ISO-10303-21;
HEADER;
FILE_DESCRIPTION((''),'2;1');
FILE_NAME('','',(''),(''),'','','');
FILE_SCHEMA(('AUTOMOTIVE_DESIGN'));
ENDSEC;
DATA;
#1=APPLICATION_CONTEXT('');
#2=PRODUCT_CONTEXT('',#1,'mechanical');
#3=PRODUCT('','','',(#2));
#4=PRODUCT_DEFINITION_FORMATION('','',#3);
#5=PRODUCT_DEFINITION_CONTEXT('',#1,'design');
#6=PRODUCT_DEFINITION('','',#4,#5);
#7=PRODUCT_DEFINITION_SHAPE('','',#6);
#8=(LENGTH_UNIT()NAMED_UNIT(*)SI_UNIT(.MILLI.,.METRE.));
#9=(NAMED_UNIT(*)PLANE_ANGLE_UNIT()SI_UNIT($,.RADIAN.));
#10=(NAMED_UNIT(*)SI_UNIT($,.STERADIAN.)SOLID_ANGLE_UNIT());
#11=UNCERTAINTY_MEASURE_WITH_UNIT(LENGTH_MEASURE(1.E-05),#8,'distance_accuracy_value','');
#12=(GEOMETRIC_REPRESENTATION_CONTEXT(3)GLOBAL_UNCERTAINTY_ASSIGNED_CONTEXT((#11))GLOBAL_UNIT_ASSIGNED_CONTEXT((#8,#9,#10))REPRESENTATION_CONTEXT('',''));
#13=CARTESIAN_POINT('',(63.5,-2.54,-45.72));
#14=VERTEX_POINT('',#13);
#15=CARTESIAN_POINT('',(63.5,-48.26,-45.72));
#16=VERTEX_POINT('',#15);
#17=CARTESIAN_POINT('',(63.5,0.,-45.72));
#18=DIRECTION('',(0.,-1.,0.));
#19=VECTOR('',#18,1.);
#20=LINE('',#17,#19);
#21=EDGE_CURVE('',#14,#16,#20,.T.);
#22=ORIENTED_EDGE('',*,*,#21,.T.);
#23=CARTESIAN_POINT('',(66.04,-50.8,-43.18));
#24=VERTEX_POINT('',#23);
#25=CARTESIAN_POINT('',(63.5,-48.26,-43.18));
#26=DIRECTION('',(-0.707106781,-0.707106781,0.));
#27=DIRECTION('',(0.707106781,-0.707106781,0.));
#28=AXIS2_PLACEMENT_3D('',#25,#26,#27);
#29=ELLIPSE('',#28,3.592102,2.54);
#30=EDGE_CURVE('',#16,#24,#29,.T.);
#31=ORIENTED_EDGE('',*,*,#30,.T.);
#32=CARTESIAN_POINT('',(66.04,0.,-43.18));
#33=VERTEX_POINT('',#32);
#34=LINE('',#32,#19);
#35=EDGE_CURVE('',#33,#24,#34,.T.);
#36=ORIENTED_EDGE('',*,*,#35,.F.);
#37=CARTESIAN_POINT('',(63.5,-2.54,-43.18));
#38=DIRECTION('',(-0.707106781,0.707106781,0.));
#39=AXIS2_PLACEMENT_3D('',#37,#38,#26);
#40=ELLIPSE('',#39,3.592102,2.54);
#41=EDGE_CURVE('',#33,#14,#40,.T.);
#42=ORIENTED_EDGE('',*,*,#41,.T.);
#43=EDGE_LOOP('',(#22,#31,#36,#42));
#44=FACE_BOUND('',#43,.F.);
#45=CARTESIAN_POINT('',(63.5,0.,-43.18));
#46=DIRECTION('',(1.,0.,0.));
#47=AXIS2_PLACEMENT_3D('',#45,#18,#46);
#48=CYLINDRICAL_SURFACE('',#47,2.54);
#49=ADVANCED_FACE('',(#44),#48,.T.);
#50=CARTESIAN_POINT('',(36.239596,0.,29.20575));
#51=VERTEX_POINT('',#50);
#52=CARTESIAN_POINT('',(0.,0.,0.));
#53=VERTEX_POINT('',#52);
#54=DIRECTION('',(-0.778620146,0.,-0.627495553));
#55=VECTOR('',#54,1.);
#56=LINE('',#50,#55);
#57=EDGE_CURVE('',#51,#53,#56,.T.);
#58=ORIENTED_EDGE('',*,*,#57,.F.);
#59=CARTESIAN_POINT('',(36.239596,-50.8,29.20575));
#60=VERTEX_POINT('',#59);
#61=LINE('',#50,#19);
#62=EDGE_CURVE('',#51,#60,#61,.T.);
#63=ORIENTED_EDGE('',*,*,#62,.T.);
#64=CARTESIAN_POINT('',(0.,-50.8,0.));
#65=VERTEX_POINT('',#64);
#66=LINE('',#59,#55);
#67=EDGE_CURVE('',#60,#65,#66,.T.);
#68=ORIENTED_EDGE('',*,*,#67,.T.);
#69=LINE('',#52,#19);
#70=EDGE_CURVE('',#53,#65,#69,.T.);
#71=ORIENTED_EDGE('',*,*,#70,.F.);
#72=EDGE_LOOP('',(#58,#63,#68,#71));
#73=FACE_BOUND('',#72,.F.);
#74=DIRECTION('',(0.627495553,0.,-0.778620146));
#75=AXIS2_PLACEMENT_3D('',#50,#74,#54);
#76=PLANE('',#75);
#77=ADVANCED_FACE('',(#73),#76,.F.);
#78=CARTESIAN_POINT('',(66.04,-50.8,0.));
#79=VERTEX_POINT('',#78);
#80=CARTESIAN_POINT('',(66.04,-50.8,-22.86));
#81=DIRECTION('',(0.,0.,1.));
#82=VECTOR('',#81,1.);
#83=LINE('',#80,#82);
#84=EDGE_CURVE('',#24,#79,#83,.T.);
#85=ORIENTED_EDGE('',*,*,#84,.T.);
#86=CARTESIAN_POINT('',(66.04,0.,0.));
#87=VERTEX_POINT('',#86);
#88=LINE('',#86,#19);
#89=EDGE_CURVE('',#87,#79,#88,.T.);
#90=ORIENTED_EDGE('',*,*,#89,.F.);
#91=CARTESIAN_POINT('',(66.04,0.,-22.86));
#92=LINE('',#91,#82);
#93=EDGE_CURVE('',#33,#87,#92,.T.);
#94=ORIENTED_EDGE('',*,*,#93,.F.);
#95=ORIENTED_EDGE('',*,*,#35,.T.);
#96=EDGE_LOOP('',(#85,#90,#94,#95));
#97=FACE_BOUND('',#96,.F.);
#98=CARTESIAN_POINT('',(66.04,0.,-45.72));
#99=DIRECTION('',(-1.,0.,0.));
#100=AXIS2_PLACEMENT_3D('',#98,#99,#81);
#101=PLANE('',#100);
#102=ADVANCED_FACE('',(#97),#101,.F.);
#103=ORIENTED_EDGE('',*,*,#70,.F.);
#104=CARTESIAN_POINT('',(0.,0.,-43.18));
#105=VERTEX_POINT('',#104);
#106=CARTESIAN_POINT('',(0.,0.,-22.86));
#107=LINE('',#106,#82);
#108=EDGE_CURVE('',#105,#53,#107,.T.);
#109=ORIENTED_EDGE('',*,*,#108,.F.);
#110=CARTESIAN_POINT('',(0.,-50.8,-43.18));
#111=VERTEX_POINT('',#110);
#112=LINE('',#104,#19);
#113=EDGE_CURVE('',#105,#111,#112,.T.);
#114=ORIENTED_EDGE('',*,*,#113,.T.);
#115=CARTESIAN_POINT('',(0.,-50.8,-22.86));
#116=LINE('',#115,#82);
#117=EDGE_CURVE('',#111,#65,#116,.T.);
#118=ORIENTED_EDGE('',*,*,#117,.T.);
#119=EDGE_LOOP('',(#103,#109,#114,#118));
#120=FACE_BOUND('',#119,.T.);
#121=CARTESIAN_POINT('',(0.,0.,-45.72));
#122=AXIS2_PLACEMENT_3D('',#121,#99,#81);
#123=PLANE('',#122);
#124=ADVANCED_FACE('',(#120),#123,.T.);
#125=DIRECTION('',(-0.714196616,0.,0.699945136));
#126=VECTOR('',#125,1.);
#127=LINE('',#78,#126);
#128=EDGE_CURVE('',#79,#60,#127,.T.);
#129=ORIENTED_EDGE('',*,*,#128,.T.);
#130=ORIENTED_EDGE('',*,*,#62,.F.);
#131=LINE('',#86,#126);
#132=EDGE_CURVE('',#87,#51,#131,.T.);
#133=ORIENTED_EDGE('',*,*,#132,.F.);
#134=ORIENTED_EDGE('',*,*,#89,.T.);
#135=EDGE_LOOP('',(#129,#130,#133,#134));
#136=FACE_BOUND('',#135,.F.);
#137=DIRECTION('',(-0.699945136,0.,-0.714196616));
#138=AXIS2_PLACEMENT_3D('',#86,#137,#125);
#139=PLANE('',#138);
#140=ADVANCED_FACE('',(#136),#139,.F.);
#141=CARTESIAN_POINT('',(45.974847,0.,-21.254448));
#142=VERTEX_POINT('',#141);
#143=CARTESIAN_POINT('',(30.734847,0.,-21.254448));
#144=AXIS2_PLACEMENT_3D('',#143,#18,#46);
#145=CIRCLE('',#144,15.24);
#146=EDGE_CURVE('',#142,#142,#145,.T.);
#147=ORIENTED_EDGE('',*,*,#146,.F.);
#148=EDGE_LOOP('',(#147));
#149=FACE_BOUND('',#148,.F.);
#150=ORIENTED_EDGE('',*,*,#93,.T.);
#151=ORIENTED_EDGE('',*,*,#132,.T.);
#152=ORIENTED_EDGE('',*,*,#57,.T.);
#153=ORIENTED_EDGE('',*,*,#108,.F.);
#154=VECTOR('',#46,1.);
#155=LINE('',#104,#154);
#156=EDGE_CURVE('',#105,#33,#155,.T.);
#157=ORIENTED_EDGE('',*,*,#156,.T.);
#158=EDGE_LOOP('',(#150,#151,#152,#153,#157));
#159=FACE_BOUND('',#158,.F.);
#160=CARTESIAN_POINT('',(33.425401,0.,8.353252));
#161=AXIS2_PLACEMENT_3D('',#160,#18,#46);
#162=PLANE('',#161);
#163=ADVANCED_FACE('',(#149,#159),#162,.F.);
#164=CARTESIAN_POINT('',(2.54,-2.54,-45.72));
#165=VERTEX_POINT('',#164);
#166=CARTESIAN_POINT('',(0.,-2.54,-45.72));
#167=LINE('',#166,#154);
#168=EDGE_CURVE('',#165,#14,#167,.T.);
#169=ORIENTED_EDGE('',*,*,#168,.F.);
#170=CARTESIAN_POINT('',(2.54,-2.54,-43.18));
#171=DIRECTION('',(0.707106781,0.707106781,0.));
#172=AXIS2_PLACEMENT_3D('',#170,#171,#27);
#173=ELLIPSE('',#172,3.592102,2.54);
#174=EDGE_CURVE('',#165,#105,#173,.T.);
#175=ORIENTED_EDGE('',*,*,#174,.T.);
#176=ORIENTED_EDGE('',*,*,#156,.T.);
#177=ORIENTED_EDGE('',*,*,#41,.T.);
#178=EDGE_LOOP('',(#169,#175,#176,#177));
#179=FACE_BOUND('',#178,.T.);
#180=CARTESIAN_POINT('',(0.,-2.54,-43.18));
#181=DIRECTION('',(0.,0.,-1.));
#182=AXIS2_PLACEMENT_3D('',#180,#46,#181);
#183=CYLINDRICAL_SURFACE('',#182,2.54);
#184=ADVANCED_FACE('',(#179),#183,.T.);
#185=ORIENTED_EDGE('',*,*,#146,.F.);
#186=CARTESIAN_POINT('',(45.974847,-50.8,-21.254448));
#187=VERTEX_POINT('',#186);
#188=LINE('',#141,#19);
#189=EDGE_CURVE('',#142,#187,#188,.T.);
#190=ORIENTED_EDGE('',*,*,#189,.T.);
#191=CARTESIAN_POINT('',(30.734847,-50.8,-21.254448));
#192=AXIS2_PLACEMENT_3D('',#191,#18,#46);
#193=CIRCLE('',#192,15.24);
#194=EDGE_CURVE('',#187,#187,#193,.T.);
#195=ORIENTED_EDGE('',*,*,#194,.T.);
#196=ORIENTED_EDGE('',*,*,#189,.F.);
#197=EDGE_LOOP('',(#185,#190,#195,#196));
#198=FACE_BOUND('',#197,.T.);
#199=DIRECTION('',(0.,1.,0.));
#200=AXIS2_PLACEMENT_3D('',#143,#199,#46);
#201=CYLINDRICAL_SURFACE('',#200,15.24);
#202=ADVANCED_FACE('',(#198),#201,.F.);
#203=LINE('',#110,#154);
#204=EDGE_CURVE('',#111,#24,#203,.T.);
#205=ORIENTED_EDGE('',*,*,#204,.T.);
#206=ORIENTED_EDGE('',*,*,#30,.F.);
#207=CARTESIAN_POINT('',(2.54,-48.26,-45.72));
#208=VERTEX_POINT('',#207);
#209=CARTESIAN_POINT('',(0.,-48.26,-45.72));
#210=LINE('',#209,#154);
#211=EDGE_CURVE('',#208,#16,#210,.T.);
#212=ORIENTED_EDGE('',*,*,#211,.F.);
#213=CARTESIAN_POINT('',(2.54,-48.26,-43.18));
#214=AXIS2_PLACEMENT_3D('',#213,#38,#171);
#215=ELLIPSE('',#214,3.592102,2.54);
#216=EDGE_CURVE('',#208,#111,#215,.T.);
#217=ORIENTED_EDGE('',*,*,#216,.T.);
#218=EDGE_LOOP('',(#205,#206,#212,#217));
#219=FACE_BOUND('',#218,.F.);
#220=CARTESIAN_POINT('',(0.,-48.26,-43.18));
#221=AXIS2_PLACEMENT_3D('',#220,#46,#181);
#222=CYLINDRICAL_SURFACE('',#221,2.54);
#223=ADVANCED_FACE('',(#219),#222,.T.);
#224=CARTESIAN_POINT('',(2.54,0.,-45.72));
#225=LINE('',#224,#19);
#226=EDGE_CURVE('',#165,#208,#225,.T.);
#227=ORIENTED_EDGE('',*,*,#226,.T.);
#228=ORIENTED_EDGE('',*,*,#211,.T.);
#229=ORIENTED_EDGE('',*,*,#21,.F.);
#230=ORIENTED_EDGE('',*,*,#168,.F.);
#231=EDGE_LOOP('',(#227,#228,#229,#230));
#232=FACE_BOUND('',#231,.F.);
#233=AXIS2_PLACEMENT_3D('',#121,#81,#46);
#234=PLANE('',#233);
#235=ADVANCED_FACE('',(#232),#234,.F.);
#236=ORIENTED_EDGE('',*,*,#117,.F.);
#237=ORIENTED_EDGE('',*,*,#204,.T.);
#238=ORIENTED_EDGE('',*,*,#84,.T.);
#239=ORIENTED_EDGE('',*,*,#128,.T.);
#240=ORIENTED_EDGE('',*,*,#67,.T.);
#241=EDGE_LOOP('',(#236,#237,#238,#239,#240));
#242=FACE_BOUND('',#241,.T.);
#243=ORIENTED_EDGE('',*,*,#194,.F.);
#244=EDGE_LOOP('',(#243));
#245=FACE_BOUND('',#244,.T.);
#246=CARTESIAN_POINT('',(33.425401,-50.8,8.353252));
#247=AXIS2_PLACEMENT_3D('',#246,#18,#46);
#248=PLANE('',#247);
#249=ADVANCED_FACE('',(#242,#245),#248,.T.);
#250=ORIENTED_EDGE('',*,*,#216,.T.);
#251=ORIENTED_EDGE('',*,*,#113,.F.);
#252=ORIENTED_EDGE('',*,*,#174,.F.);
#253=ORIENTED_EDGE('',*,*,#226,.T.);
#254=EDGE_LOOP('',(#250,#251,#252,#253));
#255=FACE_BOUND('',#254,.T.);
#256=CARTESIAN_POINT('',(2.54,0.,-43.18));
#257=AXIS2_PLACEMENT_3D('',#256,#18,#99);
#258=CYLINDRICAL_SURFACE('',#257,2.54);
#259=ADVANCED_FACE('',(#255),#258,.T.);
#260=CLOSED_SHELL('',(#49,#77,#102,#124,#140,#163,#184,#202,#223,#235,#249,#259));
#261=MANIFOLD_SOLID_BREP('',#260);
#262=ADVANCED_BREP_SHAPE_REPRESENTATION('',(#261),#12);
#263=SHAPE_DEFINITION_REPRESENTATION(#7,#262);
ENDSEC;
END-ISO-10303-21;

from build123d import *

# Parameters (mm, degrees)
F0_W     = 66.04
F0_H     = 45.72
F0_R     = 15.24
F1_DEPTH = 50.8
F2_R     = 2.54


with BuildPart() as f1:
    # F0 (on Front) → F1 (new body)
    with BuildSketch(Plane.XZ):
        Polygon((36.239596, 29.20575), (0, 0), (66.04, 0), align=None)
        with Locations((33.02, -22.86)):
            Rectangle(F0_W, F0_H)
        with Locations((30.734847, -21.254448)):
            Circle(F0_R, mode=Mode.SUBTRACT)
    extrude(amount=F1_DEPTH)

    # F2
    f2_edges = [f1.edges().sort_by_distance(p)[0] for p in [
        (33.02, -50.8, -45.72),
        (66.04, -25.4, -45.72),
        (33.02, 0, -45.72),
        (0, -25.4, -45.72),
    ]]
    fillet(f2_edges, radius=F2_R)


solid = f1.part
